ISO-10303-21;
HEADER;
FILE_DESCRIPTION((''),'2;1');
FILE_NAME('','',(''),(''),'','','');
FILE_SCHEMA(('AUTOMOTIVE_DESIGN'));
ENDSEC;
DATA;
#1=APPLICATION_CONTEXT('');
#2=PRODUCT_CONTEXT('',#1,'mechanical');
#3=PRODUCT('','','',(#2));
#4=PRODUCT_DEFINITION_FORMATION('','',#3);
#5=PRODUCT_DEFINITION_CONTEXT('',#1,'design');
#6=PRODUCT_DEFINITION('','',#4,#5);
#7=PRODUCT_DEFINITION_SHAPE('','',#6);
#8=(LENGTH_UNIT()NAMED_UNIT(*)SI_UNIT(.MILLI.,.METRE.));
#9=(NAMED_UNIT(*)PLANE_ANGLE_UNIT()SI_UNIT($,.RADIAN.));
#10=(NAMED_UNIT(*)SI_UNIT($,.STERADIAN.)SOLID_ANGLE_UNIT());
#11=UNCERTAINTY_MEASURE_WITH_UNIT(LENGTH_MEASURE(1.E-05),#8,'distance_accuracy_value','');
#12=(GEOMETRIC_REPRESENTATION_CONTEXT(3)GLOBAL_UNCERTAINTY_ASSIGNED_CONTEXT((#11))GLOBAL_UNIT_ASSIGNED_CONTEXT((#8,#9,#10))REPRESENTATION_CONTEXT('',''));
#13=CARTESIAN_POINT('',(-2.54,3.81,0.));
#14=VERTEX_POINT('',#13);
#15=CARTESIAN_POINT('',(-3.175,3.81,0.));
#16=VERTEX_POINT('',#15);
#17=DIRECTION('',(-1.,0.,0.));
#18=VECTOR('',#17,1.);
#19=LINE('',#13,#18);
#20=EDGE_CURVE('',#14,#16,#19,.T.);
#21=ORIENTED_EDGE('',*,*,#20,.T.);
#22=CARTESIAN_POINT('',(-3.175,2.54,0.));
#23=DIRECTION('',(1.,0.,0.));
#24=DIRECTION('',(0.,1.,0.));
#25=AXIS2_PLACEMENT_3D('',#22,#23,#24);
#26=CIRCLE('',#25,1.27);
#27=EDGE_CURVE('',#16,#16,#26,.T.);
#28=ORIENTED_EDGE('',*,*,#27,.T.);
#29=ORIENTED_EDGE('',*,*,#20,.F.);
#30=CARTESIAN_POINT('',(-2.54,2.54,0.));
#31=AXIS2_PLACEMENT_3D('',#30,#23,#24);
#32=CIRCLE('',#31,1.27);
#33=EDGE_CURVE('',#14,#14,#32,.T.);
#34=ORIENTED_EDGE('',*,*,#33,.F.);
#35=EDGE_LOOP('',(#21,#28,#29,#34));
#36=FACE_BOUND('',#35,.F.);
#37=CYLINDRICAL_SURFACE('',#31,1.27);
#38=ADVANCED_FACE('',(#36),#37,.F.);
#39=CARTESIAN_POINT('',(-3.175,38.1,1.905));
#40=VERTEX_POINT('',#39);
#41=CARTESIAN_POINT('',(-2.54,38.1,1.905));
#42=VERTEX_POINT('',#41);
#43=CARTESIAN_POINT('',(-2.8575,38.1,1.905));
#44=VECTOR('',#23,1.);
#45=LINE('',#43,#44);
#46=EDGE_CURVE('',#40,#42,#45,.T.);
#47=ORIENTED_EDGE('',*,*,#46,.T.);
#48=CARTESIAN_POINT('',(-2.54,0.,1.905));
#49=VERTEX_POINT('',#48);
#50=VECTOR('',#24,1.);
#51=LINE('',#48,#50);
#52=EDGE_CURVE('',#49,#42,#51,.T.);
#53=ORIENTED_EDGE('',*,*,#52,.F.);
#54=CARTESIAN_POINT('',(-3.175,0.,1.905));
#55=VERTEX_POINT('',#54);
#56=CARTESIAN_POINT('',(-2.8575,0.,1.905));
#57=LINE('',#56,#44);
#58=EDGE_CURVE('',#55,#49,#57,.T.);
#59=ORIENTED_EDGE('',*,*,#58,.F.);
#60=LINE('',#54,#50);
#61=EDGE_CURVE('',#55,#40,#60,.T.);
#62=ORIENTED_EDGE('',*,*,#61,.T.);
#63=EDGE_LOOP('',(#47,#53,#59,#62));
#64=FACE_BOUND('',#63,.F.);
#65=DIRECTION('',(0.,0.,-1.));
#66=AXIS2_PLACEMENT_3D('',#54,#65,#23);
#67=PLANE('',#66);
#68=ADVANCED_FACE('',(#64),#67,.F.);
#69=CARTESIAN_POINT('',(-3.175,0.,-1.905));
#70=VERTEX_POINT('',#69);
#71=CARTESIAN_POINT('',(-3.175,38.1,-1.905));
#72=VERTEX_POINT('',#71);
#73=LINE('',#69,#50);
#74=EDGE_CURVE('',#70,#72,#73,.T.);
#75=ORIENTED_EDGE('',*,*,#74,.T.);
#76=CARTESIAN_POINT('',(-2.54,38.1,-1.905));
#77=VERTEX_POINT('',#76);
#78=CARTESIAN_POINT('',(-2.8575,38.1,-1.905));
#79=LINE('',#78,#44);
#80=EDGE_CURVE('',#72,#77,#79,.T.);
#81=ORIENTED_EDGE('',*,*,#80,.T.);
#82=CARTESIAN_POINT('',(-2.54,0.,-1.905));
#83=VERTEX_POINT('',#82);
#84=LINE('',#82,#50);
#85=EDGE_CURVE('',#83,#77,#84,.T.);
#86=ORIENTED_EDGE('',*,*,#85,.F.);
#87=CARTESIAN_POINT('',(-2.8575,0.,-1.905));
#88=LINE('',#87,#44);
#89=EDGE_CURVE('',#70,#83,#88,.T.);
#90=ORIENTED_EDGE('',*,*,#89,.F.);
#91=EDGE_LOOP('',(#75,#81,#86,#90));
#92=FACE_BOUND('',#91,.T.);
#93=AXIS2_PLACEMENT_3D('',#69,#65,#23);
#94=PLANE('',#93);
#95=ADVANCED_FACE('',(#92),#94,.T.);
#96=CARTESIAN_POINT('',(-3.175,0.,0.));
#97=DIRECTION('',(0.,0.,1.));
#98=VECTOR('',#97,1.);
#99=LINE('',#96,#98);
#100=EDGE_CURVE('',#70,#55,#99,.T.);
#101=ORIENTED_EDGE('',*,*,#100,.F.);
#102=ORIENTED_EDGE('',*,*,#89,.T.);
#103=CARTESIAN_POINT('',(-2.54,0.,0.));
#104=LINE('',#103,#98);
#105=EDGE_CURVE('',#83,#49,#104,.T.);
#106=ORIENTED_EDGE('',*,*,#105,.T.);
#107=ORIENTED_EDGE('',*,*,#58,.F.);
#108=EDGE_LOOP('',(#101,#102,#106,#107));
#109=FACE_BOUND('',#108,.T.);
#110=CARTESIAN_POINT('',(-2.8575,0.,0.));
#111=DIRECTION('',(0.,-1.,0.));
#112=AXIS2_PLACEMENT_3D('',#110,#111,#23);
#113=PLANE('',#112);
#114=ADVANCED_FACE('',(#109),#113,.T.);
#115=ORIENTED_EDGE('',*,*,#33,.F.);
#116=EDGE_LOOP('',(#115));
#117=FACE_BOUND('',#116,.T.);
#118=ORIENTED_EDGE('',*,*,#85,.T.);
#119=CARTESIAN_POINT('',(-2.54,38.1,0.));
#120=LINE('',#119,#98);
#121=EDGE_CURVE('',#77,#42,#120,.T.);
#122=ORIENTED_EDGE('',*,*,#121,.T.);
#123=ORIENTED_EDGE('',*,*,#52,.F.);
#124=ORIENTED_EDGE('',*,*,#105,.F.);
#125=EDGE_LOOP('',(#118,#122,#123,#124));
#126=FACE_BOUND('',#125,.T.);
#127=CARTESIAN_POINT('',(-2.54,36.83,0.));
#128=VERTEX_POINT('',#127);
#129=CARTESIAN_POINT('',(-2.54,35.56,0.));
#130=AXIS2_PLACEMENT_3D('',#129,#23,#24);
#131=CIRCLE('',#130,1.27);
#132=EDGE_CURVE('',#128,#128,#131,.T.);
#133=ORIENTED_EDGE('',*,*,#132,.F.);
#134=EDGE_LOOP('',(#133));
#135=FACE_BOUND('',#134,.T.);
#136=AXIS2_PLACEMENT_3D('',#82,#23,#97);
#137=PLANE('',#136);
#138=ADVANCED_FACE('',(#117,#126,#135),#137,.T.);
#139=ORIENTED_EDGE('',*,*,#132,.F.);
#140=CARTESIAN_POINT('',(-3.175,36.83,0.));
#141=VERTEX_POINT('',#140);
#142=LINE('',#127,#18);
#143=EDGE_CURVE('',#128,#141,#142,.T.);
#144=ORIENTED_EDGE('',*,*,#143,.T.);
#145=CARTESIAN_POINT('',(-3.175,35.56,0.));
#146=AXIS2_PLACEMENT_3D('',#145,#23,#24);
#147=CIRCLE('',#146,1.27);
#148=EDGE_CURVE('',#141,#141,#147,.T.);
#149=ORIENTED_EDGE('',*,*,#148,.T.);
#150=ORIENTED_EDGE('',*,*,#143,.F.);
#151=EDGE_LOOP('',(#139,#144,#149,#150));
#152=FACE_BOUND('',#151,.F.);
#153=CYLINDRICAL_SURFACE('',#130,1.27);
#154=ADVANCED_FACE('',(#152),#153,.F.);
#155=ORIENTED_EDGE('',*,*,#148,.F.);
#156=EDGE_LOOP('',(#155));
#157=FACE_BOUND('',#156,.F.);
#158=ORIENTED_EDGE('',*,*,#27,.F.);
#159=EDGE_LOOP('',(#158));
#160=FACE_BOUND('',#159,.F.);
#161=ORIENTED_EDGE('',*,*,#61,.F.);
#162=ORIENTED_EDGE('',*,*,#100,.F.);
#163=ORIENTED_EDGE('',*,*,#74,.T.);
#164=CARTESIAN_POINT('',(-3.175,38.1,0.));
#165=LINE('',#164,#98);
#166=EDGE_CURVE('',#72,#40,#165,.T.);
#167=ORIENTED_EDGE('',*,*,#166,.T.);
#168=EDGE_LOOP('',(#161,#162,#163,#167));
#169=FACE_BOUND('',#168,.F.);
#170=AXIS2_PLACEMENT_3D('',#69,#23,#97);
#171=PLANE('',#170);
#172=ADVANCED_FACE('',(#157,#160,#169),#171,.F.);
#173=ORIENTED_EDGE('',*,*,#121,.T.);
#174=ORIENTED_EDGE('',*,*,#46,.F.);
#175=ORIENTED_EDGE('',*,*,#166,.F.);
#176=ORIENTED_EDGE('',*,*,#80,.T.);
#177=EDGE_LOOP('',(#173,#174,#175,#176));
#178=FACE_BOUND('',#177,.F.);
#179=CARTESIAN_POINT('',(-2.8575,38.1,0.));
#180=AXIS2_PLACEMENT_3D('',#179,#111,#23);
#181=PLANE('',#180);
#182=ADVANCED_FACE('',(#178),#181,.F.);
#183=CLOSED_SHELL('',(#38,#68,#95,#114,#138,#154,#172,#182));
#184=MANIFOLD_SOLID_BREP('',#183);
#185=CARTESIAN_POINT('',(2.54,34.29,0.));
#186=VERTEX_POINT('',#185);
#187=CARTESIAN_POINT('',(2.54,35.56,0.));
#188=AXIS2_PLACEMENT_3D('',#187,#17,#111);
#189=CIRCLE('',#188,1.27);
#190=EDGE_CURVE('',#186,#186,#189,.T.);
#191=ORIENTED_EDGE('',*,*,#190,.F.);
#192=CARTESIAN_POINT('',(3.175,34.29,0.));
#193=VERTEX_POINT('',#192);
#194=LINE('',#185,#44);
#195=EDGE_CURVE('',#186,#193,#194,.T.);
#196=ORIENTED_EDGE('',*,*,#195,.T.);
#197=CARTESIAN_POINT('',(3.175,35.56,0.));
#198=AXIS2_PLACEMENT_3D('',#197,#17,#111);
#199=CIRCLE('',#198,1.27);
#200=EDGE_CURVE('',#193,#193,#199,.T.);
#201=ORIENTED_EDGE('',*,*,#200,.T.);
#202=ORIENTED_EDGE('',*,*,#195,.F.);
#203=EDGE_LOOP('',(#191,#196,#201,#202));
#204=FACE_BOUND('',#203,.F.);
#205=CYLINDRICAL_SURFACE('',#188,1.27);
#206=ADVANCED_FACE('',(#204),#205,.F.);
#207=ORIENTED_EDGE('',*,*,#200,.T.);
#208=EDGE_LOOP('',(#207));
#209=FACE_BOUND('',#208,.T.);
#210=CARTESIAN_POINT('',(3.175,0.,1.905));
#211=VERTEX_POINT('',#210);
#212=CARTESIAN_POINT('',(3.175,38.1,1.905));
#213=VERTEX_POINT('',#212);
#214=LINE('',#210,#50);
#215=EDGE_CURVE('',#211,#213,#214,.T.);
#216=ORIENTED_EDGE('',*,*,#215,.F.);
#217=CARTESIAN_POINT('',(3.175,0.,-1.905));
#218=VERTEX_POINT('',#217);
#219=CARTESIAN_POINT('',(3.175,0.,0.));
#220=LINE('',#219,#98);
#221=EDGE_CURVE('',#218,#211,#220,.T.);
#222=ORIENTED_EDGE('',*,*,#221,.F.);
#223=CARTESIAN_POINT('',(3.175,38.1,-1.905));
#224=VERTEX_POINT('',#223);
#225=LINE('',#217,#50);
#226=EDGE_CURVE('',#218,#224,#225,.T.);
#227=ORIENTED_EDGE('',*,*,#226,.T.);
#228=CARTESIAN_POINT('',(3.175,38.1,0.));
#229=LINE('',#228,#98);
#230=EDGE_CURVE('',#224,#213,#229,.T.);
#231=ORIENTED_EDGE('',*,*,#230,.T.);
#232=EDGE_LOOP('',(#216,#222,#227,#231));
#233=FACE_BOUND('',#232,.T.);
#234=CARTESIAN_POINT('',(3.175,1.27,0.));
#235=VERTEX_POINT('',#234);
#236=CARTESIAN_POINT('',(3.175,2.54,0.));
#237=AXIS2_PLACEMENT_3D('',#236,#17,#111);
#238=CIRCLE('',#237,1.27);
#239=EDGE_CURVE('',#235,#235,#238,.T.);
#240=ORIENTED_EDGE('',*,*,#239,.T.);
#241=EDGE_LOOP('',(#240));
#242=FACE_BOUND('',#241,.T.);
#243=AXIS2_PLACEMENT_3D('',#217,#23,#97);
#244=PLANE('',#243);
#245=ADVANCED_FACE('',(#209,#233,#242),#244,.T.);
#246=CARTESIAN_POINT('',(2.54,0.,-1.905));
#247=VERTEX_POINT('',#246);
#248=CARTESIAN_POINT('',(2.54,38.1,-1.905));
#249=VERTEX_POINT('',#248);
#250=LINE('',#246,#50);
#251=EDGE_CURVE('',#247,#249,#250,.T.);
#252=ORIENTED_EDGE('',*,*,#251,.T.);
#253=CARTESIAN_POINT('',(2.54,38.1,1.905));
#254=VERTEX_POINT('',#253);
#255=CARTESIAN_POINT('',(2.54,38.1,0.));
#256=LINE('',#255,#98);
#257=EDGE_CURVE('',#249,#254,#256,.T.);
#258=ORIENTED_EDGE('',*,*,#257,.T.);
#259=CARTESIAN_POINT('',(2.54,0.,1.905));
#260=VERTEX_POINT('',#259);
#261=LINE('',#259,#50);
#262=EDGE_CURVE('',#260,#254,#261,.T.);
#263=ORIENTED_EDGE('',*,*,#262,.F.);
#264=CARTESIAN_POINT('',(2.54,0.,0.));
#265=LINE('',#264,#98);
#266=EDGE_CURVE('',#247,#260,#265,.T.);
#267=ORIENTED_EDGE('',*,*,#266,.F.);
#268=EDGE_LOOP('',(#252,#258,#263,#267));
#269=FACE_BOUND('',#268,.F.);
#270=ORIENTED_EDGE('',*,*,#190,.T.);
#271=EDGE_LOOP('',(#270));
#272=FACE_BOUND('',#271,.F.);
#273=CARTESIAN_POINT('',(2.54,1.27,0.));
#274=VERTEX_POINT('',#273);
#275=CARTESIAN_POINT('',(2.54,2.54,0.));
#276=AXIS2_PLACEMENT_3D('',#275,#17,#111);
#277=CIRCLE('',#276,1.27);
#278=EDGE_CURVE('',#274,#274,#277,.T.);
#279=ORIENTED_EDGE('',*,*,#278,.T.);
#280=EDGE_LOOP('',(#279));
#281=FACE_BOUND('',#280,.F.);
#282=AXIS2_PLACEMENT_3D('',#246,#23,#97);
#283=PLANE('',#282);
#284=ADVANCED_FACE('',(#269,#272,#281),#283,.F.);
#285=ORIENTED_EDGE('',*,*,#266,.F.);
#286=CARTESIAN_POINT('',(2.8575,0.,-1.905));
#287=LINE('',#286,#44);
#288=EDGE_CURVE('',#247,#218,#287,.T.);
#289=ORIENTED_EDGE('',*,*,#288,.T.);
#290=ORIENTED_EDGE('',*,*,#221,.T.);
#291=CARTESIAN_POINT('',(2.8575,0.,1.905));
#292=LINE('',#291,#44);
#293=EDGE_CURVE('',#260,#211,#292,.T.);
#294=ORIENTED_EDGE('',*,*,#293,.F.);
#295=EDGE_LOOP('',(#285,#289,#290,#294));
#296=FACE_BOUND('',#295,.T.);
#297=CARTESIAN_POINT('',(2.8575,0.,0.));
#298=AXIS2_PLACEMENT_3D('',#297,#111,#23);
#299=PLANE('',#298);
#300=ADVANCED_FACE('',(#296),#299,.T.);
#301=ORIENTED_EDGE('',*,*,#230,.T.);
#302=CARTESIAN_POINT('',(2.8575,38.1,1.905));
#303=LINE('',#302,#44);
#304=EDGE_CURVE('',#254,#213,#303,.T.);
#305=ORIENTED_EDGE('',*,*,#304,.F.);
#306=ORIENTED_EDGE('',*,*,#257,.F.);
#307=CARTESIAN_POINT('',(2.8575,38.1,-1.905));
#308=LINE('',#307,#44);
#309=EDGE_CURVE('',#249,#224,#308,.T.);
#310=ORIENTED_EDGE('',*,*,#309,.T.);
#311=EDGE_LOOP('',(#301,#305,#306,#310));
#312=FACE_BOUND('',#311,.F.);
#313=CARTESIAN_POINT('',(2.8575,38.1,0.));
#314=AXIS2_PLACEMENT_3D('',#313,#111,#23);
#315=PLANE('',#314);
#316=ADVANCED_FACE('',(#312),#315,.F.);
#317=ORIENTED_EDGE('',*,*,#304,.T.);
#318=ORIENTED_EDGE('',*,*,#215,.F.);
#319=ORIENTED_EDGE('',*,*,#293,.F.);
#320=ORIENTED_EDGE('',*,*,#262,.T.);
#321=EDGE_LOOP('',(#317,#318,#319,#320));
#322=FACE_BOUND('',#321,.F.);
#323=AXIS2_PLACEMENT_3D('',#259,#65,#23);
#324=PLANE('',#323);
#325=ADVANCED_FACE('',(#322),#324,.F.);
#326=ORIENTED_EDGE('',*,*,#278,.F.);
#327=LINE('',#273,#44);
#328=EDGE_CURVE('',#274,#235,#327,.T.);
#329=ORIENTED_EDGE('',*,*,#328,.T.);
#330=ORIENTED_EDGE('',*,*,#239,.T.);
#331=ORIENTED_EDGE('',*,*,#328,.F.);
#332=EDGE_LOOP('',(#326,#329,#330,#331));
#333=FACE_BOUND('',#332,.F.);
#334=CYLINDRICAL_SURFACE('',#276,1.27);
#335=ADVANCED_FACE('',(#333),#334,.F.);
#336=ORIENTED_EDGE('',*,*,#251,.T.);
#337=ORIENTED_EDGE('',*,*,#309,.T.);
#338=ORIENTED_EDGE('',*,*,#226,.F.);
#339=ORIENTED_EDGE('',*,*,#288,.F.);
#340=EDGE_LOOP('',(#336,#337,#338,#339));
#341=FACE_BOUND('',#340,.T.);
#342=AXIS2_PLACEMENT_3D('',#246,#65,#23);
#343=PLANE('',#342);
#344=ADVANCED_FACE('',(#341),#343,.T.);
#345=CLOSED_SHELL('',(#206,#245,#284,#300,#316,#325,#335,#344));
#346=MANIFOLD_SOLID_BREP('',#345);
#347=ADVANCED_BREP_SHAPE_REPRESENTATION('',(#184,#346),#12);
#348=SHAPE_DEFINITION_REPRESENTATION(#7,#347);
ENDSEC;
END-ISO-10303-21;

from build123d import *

# Parameters (mm, degrees)
F0_W     = 0.635
F0_H     = 3.81
F1_DEPTH = 38.1
F2_R     = 1.27
F3_DEPTH = 11.684
F4_R     = 1.27
F5_DEPTH = 25.4


with BuildPart() as f1:
    # F0 (on Front) → F1 (new body)
    with BuildSketch(Plane.XZ):
        with Locations((-2.8575, 0)):
            Rectangle(F0_W, F0_H)
        with Locations((2.8575, 0)):
            Rectangle(F0_W, F0_H)
    extrude(amount=-F1_DEPTH)

    # F2 (on face) → F3 (cut)
    with BuildSketch(Plane(origin=(2.54, 0, 0), x_dir=(0, -1, 0), z_dir=(-1, 0, 0))):
        with Locations((-2.54, 0)):
            Circle(F2_R)
        with Locations((-35.56, 0)):
            Circle(F2_R)
    extrude(amount=-F3_DEPTH, mode=Mode.SUBTRACT)

    # F4 (on face) → F5 (cut)
    with BuildSketch(Plane.YZ.offset(-2.54)):
        with Locations((2.54, 0)):
            Circle(F4_R)
        with Locations((35.56, 0)):
            Circle(F4_R)
    extrude(amount=-F5_DEPTH, mode=Mode.SUBTRACT)


solid = f1.part
